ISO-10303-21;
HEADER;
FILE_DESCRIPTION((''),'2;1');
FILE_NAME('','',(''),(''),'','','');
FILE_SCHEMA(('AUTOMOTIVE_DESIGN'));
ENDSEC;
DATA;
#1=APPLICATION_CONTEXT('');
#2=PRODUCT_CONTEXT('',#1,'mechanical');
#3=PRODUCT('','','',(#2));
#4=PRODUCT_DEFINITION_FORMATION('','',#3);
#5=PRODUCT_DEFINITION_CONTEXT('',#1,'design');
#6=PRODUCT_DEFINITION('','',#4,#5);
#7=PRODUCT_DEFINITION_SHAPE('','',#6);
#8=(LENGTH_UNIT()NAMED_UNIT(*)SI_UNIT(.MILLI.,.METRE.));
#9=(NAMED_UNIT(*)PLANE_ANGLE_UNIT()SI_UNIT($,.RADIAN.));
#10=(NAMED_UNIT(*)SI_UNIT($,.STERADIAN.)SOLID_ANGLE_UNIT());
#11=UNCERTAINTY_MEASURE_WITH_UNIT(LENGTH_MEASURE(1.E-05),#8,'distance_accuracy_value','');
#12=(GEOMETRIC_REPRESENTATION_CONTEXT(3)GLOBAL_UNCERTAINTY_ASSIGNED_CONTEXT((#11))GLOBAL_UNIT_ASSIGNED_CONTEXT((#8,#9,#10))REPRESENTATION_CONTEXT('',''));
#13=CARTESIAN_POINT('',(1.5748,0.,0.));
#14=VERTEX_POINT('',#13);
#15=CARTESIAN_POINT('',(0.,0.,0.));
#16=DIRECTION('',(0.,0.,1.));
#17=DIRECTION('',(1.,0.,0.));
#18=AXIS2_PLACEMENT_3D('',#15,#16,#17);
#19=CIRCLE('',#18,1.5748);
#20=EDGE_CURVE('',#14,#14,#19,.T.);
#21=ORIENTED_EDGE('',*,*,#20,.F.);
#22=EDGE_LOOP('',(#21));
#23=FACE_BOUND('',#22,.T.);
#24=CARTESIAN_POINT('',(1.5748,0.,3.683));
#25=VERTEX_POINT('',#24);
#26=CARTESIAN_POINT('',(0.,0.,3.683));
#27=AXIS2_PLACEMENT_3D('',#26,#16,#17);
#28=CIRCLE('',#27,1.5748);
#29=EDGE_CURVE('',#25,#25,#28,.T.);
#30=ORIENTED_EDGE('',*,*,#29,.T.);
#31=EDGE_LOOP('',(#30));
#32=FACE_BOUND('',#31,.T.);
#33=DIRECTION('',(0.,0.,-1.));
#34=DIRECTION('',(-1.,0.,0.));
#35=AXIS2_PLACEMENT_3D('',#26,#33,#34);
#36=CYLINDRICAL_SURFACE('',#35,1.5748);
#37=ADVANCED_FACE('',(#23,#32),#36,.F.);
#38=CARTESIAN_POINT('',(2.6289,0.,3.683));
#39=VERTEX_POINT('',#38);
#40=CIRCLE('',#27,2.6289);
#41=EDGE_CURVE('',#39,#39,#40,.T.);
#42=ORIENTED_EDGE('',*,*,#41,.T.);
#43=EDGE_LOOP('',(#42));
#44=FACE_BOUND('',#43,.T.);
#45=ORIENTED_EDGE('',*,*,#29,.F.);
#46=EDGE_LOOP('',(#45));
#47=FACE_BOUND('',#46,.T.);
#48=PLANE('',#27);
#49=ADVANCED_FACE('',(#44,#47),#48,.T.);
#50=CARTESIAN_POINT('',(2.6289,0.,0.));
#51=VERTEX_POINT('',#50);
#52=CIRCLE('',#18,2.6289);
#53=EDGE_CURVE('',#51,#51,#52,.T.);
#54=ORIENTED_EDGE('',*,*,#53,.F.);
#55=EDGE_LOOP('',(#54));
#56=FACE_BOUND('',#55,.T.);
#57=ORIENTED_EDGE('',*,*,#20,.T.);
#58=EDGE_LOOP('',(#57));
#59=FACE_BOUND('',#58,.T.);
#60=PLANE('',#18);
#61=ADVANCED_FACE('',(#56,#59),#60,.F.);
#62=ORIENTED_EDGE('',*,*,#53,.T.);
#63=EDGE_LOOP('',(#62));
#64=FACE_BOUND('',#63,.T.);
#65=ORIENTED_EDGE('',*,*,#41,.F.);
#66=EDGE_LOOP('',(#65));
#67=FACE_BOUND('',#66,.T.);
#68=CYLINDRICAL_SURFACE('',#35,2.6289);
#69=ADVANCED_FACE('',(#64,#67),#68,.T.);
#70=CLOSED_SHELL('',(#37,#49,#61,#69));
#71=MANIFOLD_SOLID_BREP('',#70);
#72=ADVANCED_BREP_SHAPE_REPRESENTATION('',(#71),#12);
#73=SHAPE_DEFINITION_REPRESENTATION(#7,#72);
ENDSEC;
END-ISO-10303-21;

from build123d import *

# Parameters (mm, degrees)
SKETCH1_R           = 2.6289
SKETCH1_R_2         = 1.5748
BOSS_EXTRUDE1_DEPTH = 3.683


with BuildPart() as part:
    # Sketch1 → Boss-Extrude1 (new body)
    with BuildSketch(Plane.XY):
        Circle(SKETCH1_R)
        Circle(SKETCH1_R_2, mode=Mode.SUBTRACT)
    extrude(amount=BOSS_EXTRUDE1_DEPTH)


solid = part.part
